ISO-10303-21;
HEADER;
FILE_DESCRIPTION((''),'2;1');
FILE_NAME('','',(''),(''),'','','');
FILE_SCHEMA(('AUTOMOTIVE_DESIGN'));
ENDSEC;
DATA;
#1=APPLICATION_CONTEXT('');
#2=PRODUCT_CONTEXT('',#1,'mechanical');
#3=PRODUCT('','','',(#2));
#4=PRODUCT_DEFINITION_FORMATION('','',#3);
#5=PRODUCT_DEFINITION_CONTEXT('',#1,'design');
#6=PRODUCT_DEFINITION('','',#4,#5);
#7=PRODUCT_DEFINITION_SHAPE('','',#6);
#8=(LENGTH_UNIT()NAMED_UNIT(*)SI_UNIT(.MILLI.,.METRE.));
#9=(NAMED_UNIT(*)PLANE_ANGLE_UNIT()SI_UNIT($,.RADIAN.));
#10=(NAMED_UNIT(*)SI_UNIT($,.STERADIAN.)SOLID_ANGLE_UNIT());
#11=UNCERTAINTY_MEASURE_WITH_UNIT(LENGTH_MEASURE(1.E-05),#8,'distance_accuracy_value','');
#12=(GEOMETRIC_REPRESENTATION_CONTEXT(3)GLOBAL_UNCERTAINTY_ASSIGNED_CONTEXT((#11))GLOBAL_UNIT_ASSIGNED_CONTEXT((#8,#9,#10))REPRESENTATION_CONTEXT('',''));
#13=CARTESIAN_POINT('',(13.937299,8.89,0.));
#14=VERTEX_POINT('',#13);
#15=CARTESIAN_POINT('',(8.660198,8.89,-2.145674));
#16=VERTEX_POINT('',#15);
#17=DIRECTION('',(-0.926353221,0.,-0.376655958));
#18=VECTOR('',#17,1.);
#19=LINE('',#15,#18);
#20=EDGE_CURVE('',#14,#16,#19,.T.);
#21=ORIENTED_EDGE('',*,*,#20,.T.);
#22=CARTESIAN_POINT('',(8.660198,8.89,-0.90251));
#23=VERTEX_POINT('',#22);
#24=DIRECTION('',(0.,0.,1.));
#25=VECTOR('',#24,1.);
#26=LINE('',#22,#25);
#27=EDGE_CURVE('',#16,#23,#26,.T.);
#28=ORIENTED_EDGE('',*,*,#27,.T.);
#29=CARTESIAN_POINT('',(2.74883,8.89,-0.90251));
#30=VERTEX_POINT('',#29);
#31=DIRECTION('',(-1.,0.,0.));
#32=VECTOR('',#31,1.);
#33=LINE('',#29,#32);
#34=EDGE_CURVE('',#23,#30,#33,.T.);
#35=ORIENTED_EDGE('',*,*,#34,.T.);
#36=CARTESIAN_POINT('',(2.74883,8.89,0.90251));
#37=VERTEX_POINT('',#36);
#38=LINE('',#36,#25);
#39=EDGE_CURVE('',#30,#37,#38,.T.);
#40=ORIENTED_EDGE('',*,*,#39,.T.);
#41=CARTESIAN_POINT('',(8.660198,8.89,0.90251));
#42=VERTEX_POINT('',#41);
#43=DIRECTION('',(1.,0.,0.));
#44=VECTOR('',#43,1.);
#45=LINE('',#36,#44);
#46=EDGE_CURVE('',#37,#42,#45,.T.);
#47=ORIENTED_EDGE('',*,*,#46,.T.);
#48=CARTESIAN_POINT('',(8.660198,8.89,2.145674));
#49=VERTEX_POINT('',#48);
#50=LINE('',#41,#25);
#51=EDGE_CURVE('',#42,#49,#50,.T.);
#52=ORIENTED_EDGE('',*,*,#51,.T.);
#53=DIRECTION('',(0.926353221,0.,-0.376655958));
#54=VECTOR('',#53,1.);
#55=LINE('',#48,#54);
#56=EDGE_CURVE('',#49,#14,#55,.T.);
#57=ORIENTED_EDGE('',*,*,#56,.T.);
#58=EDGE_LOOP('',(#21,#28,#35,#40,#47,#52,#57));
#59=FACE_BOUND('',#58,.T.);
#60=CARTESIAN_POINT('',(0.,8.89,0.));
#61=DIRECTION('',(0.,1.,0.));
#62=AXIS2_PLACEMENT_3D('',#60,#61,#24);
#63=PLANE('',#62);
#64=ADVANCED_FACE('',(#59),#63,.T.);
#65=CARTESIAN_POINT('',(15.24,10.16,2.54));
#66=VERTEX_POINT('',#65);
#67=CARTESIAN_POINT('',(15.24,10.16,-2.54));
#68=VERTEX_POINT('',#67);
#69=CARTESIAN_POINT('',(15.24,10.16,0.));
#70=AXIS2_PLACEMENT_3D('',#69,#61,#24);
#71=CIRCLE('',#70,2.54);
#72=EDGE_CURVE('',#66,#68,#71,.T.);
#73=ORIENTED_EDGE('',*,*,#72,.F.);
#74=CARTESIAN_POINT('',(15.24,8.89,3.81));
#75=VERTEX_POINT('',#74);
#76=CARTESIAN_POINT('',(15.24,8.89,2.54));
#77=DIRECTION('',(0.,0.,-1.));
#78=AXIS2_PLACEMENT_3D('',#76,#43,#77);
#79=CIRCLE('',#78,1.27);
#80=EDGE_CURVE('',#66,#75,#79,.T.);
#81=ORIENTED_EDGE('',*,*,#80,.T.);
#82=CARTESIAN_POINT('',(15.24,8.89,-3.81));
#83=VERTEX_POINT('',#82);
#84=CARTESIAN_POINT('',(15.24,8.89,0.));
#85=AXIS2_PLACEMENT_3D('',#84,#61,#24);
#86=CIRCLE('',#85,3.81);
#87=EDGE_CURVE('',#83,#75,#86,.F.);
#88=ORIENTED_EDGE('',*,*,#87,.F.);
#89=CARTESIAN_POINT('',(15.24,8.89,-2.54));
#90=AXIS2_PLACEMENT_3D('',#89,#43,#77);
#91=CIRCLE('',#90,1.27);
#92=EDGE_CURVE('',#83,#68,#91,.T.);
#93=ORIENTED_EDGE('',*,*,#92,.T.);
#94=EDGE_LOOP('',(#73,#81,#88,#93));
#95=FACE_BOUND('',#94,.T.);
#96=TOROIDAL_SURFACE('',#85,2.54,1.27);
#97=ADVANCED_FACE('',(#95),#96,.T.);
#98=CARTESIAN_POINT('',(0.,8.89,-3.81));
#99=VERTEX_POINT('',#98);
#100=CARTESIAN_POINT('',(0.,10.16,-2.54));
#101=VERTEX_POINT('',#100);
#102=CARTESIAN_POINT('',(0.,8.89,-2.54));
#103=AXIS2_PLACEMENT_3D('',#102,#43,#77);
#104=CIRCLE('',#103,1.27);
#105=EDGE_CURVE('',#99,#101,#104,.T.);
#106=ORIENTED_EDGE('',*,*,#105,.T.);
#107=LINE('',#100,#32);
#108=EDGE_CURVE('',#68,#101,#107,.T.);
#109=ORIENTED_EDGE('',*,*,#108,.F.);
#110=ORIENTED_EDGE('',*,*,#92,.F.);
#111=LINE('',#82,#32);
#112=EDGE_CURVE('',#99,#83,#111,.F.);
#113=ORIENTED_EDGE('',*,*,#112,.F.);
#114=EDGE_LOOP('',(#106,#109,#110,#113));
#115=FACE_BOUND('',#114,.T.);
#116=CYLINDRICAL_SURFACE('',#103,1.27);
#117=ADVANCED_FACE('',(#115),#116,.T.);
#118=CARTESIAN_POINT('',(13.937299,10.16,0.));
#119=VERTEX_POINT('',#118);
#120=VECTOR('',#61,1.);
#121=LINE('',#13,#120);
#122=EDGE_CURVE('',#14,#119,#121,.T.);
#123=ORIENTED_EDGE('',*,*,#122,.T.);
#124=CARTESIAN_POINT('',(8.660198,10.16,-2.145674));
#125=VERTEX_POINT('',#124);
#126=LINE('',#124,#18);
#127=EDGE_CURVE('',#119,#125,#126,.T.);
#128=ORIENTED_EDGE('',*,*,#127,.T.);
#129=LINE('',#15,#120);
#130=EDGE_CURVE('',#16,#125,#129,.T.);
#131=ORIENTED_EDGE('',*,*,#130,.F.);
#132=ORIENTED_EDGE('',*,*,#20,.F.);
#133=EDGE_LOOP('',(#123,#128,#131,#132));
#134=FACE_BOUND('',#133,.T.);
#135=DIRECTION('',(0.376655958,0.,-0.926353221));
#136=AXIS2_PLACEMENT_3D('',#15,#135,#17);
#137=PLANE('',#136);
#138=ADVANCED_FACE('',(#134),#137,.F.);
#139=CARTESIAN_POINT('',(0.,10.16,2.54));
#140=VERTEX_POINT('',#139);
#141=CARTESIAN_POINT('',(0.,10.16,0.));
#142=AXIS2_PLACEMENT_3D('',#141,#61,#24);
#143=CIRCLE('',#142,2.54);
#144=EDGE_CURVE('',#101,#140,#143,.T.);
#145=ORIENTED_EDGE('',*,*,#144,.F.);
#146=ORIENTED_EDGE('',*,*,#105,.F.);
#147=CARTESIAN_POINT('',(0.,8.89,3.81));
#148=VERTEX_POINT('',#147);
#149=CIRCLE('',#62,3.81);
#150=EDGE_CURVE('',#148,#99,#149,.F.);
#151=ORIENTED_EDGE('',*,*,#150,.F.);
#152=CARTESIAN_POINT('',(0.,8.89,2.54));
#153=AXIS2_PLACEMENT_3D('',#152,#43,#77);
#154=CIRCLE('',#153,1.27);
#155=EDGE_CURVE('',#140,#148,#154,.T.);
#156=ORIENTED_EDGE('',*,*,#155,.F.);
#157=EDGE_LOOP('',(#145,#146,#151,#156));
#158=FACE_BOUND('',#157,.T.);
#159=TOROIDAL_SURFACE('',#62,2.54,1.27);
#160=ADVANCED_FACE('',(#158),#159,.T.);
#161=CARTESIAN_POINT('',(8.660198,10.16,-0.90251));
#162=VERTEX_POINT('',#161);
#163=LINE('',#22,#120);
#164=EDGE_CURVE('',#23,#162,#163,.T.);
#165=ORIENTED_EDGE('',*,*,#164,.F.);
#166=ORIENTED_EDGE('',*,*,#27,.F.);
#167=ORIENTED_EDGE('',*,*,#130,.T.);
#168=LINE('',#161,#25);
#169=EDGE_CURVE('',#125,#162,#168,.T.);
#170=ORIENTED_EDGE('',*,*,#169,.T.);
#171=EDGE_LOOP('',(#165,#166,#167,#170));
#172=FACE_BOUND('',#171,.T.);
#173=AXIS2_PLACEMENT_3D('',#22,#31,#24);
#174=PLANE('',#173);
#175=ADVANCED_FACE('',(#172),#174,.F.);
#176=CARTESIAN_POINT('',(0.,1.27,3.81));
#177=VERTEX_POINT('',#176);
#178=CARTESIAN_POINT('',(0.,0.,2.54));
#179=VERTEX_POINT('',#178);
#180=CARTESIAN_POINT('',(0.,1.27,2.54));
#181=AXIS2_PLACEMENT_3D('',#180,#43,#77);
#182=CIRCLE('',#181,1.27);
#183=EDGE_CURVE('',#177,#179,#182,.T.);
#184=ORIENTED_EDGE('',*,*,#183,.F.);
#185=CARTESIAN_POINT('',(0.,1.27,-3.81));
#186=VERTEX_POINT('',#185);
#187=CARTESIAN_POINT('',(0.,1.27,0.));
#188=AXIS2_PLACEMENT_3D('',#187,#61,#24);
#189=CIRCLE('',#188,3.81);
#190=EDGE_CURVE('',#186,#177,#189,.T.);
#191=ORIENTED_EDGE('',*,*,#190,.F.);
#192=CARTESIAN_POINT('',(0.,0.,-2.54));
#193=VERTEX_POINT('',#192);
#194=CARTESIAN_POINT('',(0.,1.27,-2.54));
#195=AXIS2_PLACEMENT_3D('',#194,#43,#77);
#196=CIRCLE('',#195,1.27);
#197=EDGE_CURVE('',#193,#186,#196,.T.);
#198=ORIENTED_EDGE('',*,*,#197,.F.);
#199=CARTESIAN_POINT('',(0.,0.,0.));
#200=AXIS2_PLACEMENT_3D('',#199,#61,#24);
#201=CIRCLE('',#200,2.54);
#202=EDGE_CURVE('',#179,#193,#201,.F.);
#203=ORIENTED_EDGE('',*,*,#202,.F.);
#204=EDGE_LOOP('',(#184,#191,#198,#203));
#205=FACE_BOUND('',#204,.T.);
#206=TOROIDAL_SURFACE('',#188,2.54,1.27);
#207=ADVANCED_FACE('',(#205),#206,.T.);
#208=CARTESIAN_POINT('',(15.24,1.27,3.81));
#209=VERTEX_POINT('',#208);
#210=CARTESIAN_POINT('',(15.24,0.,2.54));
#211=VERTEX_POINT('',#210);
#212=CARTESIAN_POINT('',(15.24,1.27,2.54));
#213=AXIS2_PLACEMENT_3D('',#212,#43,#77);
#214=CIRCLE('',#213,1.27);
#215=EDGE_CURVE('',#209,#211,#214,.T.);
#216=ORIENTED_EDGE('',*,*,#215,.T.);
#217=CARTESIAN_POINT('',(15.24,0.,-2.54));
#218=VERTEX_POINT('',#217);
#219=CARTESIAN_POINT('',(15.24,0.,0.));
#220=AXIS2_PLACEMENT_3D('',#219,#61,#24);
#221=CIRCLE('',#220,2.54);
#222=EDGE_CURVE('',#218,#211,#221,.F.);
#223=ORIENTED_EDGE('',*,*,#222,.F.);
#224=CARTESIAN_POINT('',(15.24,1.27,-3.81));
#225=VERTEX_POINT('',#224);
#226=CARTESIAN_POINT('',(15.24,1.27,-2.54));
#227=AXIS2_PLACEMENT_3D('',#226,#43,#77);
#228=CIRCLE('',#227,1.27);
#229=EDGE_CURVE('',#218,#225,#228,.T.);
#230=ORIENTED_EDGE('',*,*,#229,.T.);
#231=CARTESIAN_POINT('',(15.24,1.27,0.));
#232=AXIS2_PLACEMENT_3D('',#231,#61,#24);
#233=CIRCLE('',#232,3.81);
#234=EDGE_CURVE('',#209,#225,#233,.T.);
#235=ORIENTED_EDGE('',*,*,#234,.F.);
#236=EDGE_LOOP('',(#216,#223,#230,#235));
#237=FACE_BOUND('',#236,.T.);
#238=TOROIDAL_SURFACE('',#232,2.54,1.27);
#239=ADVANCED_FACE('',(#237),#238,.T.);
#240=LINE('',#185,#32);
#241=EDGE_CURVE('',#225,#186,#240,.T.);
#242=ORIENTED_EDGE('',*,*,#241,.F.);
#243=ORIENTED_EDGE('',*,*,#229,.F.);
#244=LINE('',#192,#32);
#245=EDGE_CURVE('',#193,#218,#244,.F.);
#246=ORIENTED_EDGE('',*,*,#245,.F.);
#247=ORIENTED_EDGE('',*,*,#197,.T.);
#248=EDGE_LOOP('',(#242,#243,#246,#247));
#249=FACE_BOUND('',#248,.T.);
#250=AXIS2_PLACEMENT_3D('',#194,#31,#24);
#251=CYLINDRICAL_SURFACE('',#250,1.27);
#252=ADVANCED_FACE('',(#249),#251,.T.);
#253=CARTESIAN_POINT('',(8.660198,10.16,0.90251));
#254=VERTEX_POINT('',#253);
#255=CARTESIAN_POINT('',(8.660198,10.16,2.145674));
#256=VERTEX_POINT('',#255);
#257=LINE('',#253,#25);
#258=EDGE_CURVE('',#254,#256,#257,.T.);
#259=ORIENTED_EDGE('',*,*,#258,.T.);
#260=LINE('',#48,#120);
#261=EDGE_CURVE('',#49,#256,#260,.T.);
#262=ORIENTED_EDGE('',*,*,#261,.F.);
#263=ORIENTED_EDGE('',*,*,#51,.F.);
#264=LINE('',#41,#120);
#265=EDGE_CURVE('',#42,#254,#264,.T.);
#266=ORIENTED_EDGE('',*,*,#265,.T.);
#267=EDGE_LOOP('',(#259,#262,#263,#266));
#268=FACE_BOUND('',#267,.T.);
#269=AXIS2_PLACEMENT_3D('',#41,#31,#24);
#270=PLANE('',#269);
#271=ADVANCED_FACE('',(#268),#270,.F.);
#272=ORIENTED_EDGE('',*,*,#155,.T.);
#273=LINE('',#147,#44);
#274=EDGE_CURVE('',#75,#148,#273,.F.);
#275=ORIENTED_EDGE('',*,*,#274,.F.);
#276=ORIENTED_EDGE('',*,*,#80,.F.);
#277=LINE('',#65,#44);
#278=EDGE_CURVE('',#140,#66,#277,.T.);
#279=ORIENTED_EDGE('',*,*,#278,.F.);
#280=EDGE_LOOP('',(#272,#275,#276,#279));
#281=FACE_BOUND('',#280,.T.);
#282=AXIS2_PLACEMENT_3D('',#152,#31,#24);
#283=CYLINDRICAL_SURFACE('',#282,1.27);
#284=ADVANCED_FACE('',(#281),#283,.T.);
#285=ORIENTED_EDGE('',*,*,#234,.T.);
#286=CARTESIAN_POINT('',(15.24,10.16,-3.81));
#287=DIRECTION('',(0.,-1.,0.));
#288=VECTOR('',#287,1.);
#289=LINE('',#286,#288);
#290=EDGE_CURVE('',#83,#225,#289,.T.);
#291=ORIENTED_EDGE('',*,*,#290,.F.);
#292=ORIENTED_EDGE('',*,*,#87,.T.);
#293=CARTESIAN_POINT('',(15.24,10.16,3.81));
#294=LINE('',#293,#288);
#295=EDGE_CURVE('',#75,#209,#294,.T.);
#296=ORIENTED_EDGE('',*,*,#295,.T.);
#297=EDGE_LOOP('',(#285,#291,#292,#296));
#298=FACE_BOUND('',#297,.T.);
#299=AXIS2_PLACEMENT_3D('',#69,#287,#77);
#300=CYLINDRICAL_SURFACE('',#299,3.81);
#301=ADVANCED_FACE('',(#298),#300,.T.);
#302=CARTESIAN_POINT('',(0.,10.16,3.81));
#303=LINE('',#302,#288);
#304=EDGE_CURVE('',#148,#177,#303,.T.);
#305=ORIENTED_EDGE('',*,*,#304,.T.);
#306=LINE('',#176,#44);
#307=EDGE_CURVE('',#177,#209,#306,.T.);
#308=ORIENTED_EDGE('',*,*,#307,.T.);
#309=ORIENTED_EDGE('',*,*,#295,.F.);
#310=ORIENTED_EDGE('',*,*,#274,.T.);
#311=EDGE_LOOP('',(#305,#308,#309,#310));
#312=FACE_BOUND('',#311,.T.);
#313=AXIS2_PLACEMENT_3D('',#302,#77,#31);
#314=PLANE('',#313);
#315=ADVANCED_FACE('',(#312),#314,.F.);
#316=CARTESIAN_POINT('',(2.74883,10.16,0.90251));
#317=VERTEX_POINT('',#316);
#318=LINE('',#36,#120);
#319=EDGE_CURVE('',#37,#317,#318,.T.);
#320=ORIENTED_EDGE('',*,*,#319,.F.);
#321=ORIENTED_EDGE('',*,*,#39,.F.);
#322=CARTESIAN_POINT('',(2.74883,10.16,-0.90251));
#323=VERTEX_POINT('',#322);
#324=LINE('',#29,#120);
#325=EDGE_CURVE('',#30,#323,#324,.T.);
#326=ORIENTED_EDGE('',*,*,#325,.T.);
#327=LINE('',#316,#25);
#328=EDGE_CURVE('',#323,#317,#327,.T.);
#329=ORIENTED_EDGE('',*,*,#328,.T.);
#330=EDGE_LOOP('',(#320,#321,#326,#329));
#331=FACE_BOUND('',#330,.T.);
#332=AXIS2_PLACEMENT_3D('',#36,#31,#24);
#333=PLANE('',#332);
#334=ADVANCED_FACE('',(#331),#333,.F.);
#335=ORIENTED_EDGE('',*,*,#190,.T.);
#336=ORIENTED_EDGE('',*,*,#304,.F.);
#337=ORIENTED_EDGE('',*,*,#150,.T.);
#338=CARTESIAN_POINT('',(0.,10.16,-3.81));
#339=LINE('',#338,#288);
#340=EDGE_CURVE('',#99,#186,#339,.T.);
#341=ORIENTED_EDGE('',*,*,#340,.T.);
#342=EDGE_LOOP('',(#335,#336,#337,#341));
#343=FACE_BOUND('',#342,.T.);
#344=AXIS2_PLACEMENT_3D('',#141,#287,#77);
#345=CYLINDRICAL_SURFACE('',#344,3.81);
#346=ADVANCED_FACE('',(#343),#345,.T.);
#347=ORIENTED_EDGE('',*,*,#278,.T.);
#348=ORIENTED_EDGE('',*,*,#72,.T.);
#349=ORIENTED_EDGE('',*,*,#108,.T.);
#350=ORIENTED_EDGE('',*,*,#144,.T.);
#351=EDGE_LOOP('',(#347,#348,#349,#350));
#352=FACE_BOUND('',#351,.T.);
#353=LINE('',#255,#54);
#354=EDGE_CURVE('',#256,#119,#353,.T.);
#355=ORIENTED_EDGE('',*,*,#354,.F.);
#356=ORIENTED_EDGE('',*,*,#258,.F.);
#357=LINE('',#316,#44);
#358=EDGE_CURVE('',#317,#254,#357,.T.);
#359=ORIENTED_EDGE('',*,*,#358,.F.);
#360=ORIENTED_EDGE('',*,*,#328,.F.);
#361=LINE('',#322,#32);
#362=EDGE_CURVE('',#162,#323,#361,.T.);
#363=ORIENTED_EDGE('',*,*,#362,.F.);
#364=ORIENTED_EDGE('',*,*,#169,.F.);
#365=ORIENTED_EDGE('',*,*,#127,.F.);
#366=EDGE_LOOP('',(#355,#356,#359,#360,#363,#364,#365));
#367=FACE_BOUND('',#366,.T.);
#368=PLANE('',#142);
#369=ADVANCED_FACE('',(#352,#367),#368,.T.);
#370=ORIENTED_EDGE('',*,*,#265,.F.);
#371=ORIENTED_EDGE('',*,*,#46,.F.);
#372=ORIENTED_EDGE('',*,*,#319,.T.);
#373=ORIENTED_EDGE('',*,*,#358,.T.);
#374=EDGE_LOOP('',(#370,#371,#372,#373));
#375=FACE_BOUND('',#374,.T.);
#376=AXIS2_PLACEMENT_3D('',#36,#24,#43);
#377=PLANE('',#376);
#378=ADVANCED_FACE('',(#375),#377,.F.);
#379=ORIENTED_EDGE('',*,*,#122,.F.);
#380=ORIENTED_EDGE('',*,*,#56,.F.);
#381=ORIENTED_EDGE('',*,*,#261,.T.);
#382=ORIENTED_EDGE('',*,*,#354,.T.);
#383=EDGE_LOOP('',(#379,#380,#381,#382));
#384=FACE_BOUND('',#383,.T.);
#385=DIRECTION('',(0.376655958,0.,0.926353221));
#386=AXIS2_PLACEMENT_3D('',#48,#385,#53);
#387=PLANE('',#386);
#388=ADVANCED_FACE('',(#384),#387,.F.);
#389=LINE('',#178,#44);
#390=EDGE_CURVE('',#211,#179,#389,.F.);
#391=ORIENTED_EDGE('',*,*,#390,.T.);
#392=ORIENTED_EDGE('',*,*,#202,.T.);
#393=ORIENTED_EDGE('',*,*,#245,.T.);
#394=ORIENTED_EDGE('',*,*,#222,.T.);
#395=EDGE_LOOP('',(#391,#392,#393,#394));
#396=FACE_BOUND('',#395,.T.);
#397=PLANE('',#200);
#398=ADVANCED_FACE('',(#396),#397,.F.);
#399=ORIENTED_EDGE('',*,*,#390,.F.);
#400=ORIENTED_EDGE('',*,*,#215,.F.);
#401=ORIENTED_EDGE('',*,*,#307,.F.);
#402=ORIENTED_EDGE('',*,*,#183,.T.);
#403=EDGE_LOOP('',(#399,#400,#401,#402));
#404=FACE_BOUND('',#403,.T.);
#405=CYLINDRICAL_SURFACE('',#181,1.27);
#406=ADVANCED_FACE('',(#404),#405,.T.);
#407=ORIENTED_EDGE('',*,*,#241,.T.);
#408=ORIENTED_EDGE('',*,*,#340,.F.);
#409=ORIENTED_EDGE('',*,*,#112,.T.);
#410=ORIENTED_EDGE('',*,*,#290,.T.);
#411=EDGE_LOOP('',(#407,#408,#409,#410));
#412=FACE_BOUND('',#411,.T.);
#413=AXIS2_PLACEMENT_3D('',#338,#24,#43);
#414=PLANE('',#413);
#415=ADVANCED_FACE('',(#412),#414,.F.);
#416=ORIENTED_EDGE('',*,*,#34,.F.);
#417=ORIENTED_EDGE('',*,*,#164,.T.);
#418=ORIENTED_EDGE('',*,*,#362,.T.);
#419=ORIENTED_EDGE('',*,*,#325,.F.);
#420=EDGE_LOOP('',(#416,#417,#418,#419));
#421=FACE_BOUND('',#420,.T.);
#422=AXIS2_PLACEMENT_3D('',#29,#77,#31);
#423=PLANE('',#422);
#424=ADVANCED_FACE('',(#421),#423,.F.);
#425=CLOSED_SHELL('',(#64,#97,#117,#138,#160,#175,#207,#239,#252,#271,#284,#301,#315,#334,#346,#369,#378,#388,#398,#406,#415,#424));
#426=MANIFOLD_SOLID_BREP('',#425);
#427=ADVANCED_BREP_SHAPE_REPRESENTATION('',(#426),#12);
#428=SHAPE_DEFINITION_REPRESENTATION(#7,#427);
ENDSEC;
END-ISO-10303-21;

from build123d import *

# Parameters (mm, degrees)
BOSS_EXTRUDE1_DEPTH = 10.16
CUT_EXTRUDE1_DEPTH  = 1.27
FILLET2_R           = 1.27
FILLET3_R           = 1.27


with BuildPart() as part:
    # Sketch1 → Boss-Extrude1 (new body)
    with BuildSketch(Plane(origin=(0, 0, 0), x_dir=(1, 0, 0), z_dir=(0, 1, 0))):
        with BuildLine():
            Line((0, 3.81), (15.24, 3.81))
            ThreePointArc((15.24, 3.81), (19.05, 0), (15.24, -3.81))
            Line((15.24, -3.81), (0, -3.81))
            ThreePointArc((0, -3.81), (-3.81, 0), (0, 3.81))
        make_face()
    extrude(amount=BOSS_EXTRUDE1_DEPTH)

    # Sketch2 → Cut-Extrude1 (cut)
    with BuildSketch(Plane(origin=(0, 10.16, 0), x_dir=(1, 0, 0), z_dir=(0, 1, 0))):
        Polygon((2.748829604, -0.902510302), (2.748829604, 0.902510302), (8.660197845, 0.902510302), (8.660197845, 2.14567358), (13.937299107, 0), (8.660197845, -2.14567358), (8.660197845, -0.902510302), align=None)
    extrude(amount=-CUT_EXTRUDE1_DEPTH, mode=Mode.SUBTRACT)

    # Fillet2
    fillet2_edges = [part.edges().sort_by_distance(p)[0] for p in [
        (19.05, 10.16, 0),
        (7.62, 10.16, -3.81),
        (-3.81, 10.16, 0),
        (7.62, 10.16, 3.81),
    ]]
    fillet(fillet2_edges, radius=FILLET2_R)

    # Fillet3
    fillet3_edges = [part.edges().sort_by_distance(p)[0] for p in [
        (7.62, 0, -3.81),
        (19.05, 0, 0),
        (7.62, 0, 3.81),
        (-3.81, 0, 0),
    ]]
    fillet(fillet3_edges, radius=FILLET3_R)


solid = part.part
